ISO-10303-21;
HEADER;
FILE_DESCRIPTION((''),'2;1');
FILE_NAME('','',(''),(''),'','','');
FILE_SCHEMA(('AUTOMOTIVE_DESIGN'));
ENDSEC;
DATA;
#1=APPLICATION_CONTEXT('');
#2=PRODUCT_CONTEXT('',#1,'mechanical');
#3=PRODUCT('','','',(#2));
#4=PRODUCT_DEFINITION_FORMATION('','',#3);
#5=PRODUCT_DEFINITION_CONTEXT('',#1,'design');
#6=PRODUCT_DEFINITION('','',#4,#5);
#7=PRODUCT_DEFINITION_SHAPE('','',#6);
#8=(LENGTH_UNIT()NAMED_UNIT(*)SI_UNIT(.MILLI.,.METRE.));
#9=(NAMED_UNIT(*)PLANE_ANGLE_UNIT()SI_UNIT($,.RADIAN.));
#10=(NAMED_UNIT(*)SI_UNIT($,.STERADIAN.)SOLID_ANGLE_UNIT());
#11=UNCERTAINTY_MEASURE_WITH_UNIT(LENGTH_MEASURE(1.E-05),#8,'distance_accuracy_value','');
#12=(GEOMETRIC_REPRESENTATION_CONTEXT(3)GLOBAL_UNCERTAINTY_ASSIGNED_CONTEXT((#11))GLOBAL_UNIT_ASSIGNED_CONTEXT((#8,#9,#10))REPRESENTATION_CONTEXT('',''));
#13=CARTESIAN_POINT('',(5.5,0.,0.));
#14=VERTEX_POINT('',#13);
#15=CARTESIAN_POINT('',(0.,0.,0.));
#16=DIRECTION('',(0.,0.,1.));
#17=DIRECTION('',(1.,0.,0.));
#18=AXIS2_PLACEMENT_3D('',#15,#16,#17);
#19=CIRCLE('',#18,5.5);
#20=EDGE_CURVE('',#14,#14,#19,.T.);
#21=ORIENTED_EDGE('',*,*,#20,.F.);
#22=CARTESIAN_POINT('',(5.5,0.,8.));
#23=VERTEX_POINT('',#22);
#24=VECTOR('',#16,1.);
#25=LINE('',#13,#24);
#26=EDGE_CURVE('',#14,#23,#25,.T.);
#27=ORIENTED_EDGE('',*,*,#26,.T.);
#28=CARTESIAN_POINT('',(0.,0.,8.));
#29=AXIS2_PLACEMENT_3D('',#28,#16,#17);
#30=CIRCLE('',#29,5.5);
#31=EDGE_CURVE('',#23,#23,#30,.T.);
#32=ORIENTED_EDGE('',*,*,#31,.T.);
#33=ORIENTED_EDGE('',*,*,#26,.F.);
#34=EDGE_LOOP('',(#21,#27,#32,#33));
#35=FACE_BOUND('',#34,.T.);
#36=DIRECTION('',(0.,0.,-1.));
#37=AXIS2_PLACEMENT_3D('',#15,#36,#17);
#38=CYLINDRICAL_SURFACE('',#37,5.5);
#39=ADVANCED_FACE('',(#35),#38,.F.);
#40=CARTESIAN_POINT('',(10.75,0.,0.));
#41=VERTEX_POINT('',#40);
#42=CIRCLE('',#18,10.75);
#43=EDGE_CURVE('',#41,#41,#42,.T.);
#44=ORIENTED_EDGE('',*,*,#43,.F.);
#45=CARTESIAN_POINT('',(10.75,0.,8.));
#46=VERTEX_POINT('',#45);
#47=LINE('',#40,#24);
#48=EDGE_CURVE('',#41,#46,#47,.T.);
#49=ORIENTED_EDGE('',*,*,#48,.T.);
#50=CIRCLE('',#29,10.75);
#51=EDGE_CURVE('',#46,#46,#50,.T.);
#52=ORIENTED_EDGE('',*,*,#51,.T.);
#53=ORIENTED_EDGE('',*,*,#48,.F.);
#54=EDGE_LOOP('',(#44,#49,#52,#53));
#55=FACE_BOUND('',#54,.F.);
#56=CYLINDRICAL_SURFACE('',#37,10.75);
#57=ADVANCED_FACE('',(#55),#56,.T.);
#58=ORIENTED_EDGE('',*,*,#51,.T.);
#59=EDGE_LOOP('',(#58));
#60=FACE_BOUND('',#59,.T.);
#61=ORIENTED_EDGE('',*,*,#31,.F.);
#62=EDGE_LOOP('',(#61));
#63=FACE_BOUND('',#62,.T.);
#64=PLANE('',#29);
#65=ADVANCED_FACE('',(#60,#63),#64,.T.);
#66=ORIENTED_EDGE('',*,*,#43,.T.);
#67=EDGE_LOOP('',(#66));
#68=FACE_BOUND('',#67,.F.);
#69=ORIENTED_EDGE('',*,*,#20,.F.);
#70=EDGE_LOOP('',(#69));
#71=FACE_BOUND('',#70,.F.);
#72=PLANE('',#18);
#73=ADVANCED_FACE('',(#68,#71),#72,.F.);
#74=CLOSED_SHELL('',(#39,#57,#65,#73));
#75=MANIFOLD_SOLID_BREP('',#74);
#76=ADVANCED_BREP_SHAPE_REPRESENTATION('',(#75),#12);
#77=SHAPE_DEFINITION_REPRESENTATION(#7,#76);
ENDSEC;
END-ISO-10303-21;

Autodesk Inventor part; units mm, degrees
ref_plane "YZ Plane" through (0, 0, 0) normal (1, 0, 0) x (0, 1, 0)
ref_plane "XZ Plane" through (0, 0, 0) normal (0, 1, 0) x (-1, 0, 0)
ref_plane "XY Plane" through (0, 0, 0) normal (0, 0, 1) x (1, 0, 0)
sketch "Sketch1" plane through (0, 0, 0) normal (0, 0, 1) x (1, 0, 0)
  circle A0 centre (0, 0) radius 10.75
  circle A1 centre (0, 0) radius 5.5
  dimension "d0" = 21.5
  dimension "d1" = 11
extrude "Extrusion1" add sketch "Sketch1" along normal blind 8
properties part number "Rubber ring" material "Rubber"
